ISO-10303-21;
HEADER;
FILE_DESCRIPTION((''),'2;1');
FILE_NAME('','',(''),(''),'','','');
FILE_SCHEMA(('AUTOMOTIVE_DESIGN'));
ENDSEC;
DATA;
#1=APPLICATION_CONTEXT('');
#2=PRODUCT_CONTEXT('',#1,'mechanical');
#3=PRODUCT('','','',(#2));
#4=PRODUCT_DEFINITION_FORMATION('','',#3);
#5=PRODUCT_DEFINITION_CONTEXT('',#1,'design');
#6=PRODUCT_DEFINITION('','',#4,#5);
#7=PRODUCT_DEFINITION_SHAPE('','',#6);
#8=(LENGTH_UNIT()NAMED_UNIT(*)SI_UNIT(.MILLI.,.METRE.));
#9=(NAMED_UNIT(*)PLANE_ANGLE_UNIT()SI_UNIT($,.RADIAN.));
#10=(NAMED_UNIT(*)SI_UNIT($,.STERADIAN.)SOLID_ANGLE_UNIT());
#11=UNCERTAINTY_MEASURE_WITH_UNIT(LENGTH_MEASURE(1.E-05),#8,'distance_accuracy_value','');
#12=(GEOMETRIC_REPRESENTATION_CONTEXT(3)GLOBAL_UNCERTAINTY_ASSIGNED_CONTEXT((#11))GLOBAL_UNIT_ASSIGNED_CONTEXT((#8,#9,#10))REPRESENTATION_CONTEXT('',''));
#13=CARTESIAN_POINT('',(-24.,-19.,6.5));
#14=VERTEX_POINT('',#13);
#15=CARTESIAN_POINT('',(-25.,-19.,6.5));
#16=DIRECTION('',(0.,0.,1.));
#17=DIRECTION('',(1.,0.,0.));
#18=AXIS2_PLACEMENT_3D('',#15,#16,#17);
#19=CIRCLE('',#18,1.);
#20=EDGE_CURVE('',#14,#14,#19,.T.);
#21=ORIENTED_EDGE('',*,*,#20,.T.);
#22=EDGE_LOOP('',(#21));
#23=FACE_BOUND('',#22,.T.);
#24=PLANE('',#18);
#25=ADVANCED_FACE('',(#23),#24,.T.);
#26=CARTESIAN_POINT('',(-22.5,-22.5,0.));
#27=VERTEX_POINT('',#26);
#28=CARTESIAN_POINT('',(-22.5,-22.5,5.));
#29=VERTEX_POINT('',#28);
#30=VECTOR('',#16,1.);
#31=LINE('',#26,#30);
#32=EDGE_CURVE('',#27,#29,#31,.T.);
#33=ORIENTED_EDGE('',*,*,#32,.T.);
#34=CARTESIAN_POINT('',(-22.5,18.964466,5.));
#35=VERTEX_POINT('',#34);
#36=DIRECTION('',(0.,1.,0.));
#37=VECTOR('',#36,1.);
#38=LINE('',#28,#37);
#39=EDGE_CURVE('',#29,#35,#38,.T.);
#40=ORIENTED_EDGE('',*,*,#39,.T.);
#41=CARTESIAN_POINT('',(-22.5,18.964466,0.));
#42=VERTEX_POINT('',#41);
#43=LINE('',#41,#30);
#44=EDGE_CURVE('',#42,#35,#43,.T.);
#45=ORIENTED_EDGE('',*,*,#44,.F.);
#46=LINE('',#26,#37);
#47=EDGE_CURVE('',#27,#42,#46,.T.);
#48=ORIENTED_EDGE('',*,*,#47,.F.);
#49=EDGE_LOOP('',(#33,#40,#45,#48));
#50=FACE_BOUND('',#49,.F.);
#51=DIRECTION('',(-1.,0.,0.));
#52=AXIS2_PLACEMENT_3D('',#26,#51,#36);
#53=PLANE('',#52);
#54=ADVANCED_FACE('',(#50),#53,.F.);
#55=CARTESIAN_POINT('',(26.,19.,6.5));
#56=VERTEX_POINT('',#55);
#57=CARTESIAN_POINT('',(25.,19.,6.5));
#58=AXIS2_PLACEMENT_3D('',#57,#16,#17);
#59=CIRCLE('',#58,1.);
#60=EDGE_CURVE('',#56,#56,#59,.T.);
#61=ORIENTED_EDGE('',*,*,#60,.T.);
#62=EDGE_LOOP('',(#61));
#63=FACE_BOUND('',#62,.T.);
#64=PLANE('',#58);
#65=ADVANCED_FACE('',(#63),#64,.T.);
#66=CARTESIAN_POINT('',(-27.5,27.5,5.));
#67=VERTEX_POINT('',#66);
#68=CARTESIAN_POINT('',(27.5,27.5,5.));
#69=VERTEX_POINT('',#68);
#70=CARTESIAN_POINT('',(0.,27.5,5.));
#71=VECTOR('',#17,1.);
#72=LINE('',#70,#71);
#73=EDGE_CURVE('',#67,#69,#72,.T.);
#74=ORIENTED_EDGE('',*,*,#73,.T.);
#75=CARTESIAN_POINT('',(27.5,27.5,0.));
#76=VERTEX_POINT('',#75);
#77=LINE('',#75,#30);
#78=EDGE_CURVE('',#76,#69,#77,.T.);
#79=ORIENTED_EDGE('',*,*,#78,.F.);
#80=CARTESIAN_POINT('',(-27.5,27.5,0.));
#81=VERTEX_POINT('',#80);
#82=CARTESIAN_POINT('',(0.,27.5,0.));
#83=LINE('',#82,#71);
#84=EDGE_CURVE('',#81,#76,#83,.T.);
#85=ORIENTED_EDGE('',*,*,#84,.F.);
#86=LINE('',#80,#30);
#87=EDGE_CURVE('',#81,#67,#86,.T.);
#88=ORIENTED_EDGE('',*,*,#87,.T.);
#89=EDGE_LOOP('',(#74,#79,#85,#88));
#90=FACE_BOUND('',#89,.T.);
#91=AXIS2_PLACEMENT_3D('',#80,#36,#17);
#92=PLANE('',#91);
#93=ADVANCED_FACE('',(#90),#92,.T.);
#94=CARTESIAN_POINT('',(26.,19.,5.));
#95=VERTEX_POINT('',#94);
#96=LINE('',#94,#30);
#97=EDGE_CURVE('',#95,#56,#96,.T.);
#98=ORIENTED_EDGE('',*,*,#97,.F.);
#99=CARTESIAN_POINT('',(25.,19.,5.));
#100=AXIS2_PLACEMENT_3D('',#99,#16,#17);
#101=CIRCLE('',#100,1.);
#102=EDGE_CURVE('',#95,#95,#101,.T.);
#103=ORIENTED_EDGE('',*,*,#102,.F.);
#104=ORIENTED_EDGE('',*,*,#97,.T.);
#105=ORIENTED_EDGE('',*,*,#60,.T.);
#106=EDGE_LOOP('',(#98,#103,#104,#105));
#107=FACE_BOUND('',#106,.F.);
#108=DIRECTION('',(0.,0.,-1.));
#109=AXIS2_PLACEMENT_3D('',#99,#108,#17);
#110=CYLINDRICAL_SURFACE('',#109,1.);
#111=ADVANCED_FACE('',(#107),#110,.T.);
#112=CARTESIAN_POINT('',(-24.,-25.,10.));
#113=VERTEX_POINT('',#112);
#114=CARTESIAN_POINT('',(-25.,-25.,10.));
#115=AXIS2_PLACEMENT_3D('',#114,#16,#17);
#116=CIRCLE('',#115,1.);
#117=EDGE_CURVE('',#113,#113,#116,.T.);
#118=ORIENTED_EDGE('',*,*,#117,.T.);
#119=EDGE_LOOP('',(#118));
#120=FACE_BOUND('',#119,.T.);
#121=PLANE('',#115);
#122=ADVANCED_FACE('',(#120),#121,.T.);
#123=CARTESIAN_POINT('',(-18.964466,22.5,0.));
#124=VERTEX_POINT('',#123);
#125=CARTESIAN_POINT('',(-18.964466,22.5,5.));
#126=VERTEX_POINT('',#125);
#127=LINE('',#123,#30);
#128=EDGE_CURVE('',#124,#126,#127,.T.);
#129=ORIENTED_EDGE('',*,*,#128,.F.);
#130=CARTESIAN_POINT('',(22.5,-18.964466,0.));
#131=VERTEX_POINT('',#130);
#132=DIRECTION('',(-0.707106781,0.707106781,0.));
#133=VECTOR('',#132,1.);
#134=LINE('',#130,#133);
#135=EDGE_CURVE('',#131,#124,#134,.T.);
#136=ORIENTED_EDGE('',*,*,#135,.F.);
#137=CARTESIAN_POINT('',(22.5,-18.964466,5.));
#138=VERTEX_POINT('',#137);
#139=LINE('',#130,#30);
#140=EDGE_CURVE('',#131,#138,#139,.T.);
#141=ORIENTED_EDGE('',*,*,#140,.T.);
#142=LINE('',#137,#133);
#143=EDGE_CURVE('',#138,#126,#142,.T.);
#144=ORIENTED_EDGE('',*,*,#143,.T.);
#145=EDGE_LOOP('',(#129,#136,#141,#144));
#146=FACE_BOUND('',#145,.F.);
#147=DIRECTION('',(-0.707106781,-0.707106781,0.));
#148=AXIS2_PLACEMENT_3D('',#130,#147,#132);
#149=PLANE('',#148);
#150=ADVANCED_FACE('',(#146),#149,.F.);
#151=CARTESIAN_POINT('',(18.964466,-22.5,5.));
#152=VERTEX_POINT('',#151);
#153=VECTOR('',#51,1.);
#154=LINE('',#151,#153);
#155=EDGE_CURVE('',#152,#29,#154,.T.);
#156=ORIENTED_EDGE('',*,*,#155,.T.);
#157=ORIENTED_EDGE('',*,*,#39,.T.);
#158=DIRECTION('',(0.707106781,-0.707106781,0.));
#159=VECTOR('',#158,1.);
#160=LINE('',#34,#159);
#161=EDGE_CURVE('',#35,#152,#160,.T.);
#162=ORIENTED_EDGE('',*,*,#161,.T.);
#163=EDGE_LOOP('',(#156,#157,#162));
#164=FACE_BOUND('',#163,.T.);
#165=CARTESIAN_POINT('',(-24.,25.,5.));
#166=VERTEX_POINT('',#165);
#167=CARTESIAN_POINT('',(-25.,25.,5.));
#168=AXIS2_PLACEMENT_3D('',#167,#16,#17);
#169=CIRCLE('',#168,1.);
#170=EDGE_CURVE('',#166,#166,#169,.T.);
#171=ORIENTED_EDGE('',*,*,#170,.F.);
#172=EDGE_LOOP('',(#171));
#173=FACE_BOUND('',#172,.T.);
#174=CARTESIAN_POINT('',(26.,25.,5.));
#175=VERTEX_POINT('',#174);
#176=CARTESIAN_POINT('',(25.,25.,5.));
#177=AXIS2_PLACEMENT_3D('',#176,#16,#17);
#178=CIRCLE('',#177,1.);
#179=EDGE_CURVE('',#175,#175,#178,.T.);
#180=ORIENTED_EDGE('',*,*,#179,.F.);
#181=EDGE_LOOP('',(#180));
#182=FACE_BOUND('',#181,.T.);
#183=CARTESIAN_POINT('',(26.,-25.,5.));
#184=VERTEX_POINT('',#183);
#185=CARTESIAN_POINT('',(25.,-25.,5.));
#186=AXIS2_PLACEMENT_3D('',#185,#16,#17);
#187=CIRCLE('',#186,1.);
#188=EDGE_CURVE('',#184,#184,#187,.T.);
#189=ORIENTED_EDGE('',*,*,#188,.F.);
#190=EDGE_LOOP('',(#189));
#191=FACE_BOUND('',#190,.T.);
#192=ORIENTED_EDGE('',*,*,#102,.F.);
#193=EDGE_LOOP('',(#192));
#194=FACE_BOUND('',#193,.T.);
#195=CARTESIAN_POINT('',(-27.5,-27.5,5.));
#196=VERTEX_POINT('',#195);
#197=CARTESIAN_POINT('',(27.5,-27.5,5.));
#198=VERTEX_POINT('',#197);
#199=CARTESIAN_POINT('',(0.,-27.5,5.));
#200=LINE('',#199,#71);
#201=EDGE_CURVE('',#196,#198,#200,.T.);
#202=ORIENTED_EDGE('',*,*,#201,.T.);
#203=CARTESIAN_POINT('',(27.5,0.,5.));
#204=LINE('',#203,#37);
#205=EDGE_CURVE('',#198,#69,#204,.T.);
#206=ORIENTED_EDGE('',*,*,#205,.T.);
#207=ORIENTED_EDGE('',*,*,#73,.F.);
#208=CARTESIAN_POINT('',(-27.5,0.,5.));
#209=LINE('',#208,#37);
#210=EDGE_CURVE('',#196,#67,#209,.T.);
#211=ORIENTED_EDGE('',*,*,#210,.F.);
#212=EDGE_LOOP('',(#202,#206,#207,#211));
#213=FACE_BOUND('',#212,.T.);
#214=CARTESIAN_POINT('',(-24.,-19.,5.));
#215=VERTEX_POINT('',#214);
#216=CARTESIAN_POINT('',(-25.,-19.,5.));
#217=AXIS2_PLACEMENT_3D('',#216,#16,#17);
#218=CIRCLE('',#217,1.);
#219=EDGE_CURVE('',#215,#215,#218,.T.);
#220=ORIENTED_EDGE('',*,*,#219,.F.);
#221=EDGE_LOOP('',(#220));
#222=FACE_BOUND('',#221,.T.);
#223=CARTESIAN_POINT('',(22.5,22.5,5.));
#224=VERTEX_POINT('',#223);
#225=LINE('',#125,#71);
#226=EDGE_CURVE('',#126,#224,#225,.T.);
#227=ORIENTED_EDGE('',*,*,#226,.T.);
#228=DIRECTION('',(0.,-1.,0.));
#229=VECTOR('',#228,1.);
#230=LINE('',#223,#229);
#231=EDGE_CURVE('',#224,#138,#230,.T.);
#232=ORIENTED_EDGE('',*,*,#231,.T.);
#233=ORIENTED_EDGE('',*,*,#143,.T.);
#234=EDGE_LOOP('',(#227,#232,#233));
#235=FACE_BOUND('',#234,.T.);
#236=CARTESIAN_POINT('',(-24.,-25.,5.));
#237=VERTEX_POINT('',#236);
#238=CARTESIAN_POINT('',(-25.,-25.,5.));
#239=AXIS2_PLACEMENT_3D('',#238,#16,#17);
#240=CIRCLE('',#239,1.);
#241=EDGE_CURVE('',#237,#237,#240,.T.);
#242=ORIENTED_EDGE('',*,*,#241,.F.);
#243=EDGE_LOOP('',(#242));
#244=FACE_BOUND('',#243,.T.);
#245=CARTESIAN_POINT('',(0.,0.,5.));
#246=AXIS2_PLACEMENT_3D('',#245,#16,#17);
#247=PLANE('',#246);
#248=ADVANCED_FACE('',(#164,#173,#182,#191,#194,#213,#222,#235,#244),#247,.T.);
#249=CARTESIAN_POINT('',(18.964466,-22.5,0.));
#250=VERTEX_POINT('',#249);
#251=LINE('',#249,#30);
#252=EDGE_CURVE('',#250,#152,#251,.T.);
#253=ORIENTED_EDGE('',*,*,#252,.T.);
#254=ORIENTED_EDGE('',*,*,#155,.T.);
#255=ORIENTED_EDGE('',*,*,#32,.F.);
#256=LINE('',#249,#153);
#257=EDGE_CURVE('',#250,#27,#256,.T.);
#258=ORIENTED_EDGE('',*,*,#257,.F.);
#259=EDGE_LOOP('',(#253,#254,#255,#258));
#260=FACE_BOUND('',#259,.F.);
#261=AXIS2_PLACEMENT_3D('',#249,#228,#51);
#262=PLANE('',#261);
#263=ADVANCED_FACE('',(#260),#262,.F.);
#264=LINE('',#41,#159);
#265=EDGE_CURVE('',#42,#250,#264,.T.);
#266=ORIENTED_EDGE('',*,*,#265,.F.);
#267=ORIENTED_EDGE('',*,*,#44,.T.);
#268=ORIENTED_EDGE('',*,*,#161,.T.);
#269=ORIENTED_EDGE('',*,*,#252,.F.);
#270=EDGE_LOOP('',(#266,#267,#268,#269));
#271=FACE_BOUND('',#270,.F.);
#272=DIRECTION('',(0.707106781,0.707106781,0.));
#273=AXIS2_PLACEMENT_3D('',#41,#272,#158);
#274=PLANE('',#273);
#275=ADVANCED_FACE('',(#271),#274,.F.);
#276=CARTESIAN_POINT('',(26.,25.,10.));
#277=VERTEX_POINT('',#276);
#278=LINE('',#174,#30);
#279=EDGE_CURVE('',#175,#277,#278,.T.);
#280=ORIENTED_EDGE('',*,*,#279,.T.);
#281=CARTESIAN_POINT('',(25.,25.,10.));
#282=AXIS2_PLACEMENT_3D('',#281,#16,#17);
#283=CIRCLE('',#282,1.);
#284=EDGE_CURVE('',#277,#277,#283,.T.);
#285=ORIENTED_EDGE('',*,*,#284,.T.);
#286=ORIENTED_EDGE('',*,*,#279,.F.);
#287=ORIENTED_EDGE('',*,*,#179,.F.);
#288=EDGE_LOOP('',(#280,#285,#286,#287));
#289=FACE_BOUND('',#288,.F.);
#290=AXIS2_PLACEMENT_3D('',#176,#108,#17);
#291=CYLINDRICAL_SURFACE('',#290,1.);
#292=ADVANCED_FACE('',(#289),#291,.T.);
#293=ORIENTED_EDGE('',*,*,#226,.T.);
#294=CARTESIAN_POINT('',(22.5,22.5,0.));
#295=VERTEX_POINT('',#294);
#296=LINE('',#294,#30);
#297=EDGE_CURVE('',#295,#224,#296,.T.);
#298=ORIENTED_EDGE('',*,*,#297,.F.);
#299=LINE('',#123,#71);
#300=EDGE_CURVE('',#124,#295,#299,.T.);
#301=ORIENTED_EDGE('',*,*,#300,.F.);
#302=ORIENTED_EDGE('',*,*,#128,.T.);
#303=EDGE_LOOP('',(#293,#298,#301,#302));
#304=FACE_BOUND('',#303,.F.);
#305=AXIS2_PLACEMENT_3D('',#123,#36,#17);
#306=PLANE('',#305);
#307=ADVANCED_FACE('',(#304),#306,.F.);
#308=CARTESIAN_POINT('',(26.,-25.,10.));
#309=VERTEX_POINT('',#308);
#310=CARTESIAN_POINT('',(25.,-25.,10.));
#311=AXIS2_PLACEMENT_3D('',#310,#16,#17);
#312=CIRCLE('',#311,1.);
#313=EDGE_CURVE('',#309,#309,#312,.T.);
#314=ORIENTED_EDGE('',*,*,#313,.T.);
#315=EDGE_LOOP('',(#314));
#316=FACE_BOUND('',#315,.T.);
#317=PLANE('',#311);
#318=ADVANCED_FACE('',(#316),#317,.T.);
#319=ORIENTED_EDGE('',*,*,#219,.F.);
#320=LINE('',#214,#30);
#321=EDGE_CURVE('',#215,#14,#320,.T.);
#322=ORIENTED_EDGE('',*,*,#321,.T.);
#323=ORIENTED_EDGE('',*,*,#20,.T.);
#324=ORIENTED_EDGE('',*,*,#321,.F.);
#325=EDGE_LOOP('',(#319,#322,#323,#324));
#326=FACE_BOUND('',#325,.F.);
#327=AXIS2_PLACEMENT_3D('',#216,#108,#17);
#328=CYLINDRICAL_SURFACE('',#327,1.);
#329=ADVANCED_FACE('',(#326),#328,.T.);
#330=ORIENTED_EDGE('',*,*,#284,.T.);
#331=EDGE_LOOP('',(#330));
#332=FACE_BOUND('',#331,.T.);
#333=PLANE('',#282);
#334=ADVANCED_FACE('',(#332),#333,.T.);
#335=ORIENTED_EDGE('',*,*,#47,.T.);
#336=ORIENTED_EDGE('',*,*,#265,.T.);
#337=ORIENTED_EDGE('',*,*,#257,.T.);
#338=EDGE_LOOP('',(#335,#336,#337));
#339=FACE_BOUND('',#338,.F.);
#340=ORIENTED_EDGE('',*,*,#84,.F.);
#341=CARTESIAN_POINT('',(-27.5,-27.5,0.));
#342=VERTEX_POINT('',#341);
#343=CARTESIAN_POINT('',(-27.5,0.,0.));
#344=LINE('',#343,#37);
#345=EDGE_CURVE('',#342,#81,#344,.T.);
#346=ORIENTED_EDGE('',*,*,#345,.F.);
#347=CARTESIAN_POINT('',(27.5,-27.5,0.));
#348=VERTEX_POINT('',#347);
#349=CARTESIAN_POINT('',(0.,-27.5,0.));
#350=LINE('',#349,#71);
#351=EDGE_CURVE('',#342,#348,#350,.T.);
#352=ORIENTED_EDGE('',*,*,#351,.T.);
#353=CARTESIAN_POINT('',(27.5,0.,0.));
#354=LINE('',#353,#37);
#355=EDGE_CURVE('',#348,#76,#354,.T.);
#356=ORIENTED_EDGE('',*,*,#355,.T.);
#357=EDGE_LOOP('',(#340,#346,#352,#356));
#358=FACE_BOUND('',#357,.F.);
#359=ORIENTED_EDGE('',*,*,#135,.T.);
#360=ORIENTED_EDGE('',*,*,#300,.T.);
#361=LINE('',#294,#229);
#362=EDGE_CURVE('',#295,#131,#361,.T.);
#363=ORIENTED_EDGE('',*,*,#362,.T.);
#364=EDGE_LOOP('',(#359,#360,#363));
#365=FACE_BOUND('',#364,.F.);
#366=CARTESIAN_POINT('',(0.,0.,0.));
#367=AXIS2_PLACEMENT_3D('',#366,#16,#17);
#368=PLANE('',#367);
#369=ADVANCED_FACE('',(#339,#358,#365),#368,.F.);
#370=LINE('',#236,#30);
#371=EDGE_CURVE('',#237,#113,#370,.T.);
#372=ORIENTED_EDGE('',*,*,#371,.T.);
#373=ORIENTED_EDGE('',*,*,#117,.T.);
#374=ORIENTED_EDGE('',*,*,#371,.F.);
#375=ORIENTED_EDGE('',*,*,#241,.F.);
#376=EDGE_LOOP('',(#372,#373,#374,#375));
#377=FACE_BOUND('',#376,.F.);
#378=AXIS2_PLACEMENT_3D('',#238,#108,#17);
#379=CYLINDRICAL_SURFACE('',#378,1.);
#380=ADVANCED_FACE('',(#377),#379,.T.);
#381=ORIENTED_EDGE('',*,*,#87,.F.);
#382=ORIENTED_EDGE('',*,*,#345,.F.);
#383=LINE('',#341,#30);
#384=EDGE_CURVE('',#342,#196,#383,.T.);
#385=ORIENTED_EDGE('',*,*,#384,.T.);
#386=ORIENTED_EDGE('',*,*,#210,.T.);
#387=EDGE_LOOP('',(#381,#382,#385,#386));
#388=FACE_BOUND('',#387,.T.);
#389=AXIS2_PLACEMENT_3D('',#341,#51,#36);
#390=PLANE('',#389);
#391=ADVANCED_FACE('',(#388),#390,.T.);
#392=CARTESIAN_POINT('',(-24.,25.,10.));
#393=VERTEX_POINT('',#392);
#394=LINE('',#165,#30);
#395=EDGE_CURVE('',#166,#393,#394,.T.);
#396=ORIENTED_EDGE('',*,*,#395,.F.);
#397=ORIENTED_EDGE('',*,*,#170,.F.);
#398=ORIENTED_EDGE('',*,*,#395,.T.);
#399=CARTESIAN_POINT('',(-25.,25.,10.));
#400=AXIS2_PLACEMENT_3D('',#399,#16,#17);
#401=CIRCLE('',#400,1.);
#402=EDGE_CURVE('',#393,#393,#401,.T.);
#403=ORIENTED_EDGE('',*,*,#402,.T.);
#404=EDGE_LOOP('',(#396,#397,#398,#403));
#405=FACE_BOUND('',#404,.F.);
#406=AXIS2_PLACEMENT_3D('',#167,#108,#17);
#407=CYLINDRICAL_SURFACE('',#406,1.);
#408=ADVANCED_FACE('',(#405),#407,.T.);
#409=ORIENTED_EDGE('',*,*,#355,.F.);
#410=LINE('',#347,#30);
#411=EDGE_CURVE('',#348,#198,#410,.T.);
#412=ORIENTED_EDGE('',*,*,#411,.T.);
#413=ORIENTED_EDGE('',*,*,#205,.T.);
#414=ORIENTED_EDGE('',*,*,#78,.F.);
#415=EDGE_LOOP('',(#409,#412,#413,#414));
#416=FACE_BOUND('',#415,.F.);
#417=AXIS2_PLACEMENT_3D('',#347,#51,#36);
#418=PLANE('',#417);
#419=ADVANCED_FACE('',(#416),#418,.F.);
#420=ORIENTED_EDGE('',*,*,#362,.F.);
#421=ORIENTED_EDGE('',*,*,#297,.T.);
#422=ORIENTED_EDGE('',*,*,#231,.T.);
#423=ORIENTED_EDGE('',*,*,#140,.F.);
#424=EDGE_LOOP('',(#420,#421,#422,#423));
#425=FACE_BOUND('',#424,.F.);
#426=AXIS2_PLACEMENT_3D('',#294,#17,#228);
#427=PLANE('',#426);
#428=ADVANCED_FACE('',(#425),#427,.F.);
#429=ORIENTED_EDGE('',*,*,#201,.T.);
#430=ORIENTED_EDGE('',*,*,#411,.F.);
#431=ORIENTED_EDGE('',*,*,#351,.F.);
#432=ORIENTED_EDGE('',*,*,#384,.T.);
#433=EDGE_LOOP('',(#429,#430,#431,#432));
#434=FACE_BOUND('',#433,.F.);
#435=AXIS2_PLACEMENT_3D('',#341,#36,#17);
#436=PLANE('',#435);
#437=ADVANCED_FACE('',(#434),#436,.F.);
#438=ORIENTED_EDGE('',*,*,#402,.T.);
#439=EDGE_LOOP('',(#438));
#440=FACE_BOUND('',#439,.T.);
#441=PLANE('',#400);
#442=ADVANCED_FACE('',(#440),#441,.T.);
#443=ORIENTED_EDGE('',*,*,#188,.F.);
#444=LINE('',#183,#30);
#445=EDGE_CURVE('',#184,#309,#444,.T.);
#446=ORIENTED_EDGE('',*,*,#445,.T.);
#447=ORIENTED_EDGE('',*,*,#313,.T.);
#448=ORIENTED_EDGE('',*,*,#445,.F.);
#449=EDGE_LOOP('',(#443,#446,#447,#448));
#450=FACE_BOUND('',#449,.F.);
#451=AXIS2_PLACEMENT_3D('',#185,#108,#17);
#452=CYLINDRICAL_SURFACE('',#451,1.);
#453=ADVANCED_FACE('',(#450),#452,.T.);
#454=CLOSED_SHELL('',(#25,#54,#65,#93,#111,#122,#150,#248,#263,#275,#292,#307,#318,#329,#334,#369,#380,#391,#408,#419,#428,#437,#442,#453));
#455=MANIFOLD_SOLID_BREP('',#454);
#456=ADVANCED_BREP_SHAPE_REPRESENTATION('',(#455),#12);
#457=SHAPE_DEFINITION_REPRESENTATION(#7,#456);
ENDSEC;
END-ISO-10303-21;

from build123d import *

# Parameters (mm, degrees)
F0_W     = 55
F0_H     = 55
F1_DEPTH = 5
F2_R     = 1
F3_DEPTH = 5
F4_R     = 1
F5_DEPTH = 1.5


with BuildPart() as f1:
    # F0 (on Top) → F1 (new body)
    with BuildSketch(Plane.XY):
        Rectangle(F0_W, F0_H)
        Polygon((18.964466, -22.5), (-22.5, -22.5), (-22.5, 18.964466), align=None, mode=Mode.SUBTRACT)
        Polygon((22.5, -18.964466), (-18.964466, 22.5), (22.5, 22.5), align=None, mode=Mode.SUBTRACT)
    extrude(amount=F1_DEPTH)

    # F2 (on face) → F3 (join)
    with BuildSketch(Plane.XY.offset(5)):
        with Locations((-25, 25)):
            Circle(F2_R)
        with Locations((25, -25)):
            Circle(F2_R)
        with Locations((25, 25)):
            Circle(F2_R)
        with Locations((-25, -25)):
            Circle(F2_R)
    extrude(amount=F3_DEPTH)

    # F4 (on face) → F5 (join)
    with BuildSketch(Plane.XY.offset(5)):
        with Locations((-25, -19)):
            Circle(F4_R)
        with Locations((25, 19)):
            Circle(F4_R)
    extrude(amount=F5_DEPTH)


solid = f1.part
